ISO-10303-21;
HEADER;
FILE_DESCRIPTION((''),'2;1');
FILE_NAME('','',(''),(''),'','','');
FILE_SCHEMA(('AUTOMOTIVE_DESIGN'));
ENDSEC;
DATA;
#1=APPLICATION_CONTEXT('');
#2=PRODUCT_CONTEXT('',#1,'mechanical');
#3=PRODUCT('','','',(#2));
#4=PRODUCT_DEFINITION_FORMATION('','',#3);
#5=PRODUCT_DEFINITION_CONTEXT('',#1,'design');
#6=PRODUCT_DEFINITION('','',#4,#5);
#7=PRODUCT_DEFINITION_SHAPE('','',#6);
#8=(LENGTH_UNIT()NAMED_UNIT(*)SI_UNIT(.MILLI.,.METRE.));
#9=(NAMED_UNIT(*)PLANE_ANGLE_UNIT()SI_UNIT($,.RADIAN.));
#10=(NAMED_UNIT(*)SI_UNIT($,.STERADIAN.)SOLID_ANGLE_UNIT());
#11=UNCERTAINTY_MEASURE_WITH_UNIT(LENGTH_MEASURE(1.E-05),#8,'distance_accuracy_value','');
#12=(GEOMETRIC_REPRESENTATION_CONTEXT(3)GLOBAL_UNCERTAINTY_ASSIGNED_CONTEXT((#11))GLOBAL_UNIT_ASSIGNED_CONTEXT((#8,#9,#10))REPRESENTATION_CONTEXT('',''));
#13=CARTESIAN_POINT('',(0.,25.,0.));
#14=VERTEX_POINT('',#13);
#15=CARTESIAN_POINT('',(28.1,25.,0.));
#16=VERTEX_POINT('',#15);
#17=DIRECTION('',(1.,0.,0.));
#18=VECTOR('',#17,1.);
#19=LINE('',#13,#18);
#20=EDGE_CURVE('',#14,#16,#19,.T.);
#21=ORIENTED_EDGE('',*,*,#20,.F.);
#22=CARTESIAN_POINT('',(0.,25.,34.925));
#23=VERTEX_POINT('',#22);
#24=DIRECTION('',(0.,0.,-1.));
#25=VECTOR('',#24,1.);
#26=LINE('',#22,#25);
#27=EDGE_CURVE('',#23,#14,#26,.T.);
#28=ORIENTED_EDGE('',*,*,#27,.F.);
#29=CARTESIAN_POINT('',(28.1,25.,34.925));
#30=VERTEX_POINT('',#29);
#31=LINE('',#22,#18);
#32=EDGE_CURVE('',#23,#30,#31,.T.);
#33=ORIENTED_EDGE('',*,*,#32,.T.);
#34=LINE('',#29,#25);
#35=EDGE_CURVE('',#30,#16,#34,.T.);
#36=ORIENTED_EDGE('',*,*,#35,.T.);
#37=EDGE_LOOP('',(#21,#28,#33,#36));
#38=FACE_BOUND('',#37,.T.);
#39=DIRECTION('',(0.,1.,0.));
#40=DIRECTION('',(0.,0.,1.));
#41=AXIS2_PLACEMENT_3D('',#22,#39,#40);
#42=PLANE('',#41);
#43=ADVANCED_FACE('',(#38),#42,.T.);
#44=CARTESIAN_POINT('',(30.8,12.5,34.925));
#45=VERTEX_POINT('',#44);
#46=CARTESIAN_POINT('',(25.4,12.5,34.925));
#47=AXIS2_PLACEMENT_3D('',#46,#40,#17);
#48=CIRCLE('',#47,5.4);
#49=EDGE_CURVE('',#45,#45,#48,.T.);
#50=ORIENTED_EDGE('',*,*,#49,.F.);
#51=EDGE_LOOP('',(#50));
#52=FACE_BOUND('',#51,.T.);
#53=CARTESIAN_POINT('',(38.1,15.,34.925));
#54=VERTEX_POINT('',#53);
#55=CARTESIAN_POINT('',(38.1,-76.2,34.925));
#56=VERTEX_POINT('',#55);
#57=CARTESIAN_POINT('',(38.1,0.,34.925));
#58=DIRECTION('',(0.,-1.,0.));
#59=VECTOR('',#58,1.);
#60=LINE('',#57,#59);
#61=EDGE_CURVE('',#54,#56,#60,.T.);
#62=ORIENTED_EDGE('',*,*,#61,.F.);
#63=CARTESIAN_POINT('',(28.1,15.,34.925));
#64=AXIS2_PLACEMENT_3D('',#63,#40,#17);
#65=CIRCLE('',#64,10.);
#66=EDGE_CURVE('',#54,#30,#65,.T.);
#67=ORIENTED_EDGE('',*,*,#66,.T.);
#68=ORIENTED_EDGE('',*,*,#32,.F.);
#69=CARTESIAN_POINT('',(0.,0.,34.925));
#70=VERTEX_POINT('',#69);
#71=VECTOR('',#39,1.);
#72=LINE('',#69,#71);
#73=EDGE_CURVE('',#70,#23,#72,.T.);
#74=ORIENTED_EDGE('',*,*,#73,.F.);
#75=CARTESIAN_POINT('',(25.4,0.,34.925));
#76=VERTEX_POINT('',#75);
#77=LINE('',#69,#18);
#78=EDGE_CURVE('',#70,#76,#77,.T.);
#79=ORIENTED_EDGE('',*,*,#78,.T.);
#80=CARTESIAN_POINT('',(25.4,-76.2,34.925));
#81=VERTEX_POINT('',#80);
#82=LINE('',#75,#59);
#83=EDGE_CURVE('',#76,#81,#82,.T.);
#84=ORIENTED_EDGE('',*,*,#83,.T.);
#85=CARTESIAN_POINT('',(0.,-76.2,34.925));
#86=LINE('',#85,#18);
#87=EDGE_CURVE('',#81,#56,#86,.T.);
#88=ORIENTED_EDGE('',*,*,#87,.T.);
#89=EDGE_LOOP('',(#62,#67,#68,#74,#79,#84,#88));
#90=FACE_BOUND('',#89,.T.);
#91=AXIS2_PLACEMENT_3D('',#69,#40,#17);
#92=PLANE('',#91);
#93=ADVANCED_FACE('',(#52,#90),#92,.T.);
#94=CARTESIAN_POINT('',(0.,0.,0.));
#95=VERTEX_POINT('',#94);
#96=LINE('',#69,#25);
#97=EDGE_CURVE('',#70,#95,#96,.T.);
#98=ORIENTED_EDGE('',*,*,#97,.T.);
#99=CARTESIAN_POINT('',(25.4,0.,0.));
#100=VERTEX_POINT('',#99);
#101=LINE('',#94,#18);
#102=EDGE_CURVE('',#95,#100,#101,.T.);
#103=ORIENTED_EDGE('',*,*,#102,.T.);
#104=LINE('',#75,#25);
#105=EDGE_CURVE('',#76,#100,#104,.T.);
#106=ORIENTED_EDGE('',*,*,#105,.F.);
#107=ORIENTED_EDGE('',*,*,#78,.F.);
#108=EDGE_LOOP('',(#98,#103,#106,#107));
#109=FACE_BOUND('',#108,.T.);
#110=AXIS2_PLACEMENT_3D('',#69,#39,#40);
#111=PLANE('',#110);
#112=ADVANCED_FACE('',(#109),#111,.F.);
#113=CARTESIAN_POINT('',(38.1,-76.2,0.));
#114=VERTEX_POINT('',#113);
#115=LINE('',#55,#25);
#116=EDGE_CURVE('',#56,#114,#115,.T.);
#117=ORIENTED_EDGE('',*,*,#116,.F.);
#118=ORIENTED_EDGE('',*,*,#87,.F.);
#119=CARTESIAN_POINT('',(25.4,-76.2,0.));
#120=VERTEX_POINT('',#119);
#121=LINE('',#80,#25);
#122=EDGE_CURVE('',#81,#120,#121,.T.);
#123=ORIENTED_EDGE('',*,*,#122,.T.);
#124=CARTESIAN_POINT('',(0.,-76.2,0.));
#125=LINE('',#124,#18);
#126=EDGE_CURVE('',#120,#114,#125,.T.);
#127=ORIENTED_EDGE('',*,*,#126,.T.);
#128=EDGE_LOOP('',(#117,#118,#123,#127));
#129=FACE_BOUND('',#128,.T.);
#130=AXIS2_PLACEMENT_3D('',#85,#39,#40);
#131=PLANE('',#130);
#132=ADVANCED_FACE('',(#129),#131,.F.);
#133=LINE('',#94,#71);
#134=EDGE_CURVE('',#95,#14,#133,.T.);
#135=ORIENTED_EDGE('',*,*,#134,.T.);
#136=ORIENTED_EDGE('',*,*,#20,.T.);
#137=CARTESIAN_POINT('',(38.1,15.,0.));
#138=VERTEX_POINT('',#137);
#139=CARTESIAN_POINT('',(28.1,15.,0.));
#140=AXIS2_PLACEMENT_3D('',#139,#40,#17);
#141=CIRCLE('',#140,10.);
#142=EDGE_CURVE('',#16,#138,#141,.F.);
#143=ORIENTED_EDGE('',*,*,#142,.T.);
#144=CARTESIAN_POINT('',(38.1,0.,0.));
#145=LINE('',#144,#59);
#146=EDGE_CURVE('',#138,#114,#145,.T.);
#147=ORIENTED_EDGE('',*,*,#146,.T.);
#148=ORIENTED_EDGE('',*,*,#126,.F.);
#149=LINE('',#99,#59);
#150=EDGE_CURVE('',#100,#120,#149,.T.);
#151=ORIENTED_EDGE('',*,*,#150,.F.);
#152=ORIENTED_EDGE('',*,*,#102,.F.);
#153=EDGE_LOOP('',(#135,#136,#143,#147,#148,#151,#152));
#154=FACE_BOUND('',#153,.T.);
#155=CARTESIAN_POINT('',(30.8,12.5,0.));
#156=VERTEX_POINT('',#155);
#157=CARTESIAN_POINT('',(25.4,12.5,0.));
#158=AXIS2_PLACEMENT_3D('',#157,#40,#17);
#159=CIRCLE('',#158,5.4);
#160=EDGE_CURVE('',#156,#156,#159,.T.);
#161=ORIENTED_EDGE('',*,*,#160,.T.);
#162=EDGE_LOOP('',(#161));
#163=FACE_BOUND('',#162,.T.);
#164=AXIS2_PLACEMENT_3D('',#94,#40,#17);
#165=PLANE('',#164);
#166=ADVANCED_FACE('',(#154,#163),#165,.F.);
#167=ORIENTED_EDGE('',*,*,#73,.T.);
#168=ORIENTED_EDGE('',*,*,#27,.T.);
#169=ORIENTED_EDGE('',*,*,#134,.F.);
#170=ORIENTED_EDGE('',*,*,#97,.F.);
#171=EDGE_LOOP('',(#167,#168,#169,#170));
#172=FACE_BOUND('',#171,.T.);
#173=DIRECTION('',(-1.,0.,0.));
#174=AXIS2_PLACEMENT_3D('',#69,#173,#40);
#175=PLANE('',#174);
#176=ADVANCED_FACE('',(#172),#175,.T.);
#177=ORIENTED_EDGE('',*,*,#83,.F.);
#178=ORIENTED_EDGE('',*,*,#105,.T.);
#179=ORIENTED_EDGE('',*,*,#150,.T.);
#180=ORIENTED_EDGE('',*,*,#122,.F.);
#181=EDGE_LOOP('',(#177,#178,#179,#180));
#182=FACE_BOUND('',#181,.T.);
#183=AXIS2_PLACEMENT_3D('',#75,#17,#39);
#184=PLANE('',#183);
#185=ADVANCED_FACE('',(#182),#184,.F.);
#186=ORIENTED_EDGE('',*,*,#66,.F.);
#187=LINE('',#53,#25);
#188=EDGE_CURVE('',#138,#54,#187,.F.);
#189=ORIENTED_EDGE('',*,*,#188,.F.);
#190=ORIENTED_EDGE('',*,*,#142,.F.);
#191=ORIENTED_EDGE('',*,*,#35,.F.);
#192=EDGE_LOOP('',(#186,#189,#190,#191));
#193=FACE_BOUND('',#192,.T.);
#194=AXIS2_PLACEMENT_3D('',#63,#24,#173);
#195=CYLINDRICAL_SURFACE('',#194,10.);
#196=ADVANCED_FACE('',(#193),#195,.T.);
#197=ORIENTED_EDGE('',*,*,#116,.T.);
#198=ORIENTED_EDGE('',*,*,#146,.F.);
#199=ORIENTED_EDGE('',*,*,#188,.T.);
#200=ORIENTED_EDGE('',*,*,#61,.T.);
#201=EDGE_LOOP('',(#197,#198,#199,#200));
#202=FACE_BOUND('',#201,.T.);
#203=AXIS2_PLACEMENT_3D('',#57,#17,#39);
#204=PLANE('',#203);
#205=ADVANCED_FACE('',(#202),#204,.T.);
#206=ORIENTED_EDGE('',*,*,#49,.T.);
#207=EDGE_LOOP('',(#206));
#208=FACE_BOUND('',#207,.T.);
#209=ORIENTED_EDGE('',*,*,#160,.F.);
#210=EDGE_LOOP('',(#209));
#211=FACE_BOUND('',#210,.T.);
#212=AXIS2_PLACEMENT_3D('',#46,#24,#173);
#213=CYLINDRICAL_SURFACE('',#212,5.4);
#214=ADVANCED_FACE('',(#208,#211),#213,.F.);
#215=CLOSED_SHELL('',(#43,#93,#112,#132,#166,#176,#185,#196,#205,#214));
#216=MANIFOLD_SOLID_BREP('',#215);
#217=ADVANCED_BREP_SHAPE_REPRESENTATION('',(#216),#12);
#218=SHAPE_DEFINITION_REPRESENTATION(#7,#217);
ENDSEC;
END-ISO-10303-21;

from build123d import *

# Parameters (mm, degrees)
SKETCH1_R           = 5.4
BOSS_EXTRUDE1_DEPTH = 34.925
FILLET1_R           = 10


with BuildPart() as part:
    # Sketch1 → Boss-Extrude1 (new body)
    with BuildSketch(Plane.XY):
        Polygon((0, 0), (25.4, 0), (25.4, -76.2), (38.1, -76.2), (38.1, 25), (0, 25), align=None)
        with Locations((25.4, 12.5)):
            Circle(SKETCH1_R, mode=Mode.SUBTRACT)
    extrude(amount=BOSS_EXTRUDE1_DEPTH)

    # Fillet1
    fillet1_edges = [part.edges().sort_by_distance(p)[0] for p in [
        (38.1, 25, 17.4625),
    ]]
    fillet(fillet1_edges, radius=FILLET1_R)


solid = part.part
